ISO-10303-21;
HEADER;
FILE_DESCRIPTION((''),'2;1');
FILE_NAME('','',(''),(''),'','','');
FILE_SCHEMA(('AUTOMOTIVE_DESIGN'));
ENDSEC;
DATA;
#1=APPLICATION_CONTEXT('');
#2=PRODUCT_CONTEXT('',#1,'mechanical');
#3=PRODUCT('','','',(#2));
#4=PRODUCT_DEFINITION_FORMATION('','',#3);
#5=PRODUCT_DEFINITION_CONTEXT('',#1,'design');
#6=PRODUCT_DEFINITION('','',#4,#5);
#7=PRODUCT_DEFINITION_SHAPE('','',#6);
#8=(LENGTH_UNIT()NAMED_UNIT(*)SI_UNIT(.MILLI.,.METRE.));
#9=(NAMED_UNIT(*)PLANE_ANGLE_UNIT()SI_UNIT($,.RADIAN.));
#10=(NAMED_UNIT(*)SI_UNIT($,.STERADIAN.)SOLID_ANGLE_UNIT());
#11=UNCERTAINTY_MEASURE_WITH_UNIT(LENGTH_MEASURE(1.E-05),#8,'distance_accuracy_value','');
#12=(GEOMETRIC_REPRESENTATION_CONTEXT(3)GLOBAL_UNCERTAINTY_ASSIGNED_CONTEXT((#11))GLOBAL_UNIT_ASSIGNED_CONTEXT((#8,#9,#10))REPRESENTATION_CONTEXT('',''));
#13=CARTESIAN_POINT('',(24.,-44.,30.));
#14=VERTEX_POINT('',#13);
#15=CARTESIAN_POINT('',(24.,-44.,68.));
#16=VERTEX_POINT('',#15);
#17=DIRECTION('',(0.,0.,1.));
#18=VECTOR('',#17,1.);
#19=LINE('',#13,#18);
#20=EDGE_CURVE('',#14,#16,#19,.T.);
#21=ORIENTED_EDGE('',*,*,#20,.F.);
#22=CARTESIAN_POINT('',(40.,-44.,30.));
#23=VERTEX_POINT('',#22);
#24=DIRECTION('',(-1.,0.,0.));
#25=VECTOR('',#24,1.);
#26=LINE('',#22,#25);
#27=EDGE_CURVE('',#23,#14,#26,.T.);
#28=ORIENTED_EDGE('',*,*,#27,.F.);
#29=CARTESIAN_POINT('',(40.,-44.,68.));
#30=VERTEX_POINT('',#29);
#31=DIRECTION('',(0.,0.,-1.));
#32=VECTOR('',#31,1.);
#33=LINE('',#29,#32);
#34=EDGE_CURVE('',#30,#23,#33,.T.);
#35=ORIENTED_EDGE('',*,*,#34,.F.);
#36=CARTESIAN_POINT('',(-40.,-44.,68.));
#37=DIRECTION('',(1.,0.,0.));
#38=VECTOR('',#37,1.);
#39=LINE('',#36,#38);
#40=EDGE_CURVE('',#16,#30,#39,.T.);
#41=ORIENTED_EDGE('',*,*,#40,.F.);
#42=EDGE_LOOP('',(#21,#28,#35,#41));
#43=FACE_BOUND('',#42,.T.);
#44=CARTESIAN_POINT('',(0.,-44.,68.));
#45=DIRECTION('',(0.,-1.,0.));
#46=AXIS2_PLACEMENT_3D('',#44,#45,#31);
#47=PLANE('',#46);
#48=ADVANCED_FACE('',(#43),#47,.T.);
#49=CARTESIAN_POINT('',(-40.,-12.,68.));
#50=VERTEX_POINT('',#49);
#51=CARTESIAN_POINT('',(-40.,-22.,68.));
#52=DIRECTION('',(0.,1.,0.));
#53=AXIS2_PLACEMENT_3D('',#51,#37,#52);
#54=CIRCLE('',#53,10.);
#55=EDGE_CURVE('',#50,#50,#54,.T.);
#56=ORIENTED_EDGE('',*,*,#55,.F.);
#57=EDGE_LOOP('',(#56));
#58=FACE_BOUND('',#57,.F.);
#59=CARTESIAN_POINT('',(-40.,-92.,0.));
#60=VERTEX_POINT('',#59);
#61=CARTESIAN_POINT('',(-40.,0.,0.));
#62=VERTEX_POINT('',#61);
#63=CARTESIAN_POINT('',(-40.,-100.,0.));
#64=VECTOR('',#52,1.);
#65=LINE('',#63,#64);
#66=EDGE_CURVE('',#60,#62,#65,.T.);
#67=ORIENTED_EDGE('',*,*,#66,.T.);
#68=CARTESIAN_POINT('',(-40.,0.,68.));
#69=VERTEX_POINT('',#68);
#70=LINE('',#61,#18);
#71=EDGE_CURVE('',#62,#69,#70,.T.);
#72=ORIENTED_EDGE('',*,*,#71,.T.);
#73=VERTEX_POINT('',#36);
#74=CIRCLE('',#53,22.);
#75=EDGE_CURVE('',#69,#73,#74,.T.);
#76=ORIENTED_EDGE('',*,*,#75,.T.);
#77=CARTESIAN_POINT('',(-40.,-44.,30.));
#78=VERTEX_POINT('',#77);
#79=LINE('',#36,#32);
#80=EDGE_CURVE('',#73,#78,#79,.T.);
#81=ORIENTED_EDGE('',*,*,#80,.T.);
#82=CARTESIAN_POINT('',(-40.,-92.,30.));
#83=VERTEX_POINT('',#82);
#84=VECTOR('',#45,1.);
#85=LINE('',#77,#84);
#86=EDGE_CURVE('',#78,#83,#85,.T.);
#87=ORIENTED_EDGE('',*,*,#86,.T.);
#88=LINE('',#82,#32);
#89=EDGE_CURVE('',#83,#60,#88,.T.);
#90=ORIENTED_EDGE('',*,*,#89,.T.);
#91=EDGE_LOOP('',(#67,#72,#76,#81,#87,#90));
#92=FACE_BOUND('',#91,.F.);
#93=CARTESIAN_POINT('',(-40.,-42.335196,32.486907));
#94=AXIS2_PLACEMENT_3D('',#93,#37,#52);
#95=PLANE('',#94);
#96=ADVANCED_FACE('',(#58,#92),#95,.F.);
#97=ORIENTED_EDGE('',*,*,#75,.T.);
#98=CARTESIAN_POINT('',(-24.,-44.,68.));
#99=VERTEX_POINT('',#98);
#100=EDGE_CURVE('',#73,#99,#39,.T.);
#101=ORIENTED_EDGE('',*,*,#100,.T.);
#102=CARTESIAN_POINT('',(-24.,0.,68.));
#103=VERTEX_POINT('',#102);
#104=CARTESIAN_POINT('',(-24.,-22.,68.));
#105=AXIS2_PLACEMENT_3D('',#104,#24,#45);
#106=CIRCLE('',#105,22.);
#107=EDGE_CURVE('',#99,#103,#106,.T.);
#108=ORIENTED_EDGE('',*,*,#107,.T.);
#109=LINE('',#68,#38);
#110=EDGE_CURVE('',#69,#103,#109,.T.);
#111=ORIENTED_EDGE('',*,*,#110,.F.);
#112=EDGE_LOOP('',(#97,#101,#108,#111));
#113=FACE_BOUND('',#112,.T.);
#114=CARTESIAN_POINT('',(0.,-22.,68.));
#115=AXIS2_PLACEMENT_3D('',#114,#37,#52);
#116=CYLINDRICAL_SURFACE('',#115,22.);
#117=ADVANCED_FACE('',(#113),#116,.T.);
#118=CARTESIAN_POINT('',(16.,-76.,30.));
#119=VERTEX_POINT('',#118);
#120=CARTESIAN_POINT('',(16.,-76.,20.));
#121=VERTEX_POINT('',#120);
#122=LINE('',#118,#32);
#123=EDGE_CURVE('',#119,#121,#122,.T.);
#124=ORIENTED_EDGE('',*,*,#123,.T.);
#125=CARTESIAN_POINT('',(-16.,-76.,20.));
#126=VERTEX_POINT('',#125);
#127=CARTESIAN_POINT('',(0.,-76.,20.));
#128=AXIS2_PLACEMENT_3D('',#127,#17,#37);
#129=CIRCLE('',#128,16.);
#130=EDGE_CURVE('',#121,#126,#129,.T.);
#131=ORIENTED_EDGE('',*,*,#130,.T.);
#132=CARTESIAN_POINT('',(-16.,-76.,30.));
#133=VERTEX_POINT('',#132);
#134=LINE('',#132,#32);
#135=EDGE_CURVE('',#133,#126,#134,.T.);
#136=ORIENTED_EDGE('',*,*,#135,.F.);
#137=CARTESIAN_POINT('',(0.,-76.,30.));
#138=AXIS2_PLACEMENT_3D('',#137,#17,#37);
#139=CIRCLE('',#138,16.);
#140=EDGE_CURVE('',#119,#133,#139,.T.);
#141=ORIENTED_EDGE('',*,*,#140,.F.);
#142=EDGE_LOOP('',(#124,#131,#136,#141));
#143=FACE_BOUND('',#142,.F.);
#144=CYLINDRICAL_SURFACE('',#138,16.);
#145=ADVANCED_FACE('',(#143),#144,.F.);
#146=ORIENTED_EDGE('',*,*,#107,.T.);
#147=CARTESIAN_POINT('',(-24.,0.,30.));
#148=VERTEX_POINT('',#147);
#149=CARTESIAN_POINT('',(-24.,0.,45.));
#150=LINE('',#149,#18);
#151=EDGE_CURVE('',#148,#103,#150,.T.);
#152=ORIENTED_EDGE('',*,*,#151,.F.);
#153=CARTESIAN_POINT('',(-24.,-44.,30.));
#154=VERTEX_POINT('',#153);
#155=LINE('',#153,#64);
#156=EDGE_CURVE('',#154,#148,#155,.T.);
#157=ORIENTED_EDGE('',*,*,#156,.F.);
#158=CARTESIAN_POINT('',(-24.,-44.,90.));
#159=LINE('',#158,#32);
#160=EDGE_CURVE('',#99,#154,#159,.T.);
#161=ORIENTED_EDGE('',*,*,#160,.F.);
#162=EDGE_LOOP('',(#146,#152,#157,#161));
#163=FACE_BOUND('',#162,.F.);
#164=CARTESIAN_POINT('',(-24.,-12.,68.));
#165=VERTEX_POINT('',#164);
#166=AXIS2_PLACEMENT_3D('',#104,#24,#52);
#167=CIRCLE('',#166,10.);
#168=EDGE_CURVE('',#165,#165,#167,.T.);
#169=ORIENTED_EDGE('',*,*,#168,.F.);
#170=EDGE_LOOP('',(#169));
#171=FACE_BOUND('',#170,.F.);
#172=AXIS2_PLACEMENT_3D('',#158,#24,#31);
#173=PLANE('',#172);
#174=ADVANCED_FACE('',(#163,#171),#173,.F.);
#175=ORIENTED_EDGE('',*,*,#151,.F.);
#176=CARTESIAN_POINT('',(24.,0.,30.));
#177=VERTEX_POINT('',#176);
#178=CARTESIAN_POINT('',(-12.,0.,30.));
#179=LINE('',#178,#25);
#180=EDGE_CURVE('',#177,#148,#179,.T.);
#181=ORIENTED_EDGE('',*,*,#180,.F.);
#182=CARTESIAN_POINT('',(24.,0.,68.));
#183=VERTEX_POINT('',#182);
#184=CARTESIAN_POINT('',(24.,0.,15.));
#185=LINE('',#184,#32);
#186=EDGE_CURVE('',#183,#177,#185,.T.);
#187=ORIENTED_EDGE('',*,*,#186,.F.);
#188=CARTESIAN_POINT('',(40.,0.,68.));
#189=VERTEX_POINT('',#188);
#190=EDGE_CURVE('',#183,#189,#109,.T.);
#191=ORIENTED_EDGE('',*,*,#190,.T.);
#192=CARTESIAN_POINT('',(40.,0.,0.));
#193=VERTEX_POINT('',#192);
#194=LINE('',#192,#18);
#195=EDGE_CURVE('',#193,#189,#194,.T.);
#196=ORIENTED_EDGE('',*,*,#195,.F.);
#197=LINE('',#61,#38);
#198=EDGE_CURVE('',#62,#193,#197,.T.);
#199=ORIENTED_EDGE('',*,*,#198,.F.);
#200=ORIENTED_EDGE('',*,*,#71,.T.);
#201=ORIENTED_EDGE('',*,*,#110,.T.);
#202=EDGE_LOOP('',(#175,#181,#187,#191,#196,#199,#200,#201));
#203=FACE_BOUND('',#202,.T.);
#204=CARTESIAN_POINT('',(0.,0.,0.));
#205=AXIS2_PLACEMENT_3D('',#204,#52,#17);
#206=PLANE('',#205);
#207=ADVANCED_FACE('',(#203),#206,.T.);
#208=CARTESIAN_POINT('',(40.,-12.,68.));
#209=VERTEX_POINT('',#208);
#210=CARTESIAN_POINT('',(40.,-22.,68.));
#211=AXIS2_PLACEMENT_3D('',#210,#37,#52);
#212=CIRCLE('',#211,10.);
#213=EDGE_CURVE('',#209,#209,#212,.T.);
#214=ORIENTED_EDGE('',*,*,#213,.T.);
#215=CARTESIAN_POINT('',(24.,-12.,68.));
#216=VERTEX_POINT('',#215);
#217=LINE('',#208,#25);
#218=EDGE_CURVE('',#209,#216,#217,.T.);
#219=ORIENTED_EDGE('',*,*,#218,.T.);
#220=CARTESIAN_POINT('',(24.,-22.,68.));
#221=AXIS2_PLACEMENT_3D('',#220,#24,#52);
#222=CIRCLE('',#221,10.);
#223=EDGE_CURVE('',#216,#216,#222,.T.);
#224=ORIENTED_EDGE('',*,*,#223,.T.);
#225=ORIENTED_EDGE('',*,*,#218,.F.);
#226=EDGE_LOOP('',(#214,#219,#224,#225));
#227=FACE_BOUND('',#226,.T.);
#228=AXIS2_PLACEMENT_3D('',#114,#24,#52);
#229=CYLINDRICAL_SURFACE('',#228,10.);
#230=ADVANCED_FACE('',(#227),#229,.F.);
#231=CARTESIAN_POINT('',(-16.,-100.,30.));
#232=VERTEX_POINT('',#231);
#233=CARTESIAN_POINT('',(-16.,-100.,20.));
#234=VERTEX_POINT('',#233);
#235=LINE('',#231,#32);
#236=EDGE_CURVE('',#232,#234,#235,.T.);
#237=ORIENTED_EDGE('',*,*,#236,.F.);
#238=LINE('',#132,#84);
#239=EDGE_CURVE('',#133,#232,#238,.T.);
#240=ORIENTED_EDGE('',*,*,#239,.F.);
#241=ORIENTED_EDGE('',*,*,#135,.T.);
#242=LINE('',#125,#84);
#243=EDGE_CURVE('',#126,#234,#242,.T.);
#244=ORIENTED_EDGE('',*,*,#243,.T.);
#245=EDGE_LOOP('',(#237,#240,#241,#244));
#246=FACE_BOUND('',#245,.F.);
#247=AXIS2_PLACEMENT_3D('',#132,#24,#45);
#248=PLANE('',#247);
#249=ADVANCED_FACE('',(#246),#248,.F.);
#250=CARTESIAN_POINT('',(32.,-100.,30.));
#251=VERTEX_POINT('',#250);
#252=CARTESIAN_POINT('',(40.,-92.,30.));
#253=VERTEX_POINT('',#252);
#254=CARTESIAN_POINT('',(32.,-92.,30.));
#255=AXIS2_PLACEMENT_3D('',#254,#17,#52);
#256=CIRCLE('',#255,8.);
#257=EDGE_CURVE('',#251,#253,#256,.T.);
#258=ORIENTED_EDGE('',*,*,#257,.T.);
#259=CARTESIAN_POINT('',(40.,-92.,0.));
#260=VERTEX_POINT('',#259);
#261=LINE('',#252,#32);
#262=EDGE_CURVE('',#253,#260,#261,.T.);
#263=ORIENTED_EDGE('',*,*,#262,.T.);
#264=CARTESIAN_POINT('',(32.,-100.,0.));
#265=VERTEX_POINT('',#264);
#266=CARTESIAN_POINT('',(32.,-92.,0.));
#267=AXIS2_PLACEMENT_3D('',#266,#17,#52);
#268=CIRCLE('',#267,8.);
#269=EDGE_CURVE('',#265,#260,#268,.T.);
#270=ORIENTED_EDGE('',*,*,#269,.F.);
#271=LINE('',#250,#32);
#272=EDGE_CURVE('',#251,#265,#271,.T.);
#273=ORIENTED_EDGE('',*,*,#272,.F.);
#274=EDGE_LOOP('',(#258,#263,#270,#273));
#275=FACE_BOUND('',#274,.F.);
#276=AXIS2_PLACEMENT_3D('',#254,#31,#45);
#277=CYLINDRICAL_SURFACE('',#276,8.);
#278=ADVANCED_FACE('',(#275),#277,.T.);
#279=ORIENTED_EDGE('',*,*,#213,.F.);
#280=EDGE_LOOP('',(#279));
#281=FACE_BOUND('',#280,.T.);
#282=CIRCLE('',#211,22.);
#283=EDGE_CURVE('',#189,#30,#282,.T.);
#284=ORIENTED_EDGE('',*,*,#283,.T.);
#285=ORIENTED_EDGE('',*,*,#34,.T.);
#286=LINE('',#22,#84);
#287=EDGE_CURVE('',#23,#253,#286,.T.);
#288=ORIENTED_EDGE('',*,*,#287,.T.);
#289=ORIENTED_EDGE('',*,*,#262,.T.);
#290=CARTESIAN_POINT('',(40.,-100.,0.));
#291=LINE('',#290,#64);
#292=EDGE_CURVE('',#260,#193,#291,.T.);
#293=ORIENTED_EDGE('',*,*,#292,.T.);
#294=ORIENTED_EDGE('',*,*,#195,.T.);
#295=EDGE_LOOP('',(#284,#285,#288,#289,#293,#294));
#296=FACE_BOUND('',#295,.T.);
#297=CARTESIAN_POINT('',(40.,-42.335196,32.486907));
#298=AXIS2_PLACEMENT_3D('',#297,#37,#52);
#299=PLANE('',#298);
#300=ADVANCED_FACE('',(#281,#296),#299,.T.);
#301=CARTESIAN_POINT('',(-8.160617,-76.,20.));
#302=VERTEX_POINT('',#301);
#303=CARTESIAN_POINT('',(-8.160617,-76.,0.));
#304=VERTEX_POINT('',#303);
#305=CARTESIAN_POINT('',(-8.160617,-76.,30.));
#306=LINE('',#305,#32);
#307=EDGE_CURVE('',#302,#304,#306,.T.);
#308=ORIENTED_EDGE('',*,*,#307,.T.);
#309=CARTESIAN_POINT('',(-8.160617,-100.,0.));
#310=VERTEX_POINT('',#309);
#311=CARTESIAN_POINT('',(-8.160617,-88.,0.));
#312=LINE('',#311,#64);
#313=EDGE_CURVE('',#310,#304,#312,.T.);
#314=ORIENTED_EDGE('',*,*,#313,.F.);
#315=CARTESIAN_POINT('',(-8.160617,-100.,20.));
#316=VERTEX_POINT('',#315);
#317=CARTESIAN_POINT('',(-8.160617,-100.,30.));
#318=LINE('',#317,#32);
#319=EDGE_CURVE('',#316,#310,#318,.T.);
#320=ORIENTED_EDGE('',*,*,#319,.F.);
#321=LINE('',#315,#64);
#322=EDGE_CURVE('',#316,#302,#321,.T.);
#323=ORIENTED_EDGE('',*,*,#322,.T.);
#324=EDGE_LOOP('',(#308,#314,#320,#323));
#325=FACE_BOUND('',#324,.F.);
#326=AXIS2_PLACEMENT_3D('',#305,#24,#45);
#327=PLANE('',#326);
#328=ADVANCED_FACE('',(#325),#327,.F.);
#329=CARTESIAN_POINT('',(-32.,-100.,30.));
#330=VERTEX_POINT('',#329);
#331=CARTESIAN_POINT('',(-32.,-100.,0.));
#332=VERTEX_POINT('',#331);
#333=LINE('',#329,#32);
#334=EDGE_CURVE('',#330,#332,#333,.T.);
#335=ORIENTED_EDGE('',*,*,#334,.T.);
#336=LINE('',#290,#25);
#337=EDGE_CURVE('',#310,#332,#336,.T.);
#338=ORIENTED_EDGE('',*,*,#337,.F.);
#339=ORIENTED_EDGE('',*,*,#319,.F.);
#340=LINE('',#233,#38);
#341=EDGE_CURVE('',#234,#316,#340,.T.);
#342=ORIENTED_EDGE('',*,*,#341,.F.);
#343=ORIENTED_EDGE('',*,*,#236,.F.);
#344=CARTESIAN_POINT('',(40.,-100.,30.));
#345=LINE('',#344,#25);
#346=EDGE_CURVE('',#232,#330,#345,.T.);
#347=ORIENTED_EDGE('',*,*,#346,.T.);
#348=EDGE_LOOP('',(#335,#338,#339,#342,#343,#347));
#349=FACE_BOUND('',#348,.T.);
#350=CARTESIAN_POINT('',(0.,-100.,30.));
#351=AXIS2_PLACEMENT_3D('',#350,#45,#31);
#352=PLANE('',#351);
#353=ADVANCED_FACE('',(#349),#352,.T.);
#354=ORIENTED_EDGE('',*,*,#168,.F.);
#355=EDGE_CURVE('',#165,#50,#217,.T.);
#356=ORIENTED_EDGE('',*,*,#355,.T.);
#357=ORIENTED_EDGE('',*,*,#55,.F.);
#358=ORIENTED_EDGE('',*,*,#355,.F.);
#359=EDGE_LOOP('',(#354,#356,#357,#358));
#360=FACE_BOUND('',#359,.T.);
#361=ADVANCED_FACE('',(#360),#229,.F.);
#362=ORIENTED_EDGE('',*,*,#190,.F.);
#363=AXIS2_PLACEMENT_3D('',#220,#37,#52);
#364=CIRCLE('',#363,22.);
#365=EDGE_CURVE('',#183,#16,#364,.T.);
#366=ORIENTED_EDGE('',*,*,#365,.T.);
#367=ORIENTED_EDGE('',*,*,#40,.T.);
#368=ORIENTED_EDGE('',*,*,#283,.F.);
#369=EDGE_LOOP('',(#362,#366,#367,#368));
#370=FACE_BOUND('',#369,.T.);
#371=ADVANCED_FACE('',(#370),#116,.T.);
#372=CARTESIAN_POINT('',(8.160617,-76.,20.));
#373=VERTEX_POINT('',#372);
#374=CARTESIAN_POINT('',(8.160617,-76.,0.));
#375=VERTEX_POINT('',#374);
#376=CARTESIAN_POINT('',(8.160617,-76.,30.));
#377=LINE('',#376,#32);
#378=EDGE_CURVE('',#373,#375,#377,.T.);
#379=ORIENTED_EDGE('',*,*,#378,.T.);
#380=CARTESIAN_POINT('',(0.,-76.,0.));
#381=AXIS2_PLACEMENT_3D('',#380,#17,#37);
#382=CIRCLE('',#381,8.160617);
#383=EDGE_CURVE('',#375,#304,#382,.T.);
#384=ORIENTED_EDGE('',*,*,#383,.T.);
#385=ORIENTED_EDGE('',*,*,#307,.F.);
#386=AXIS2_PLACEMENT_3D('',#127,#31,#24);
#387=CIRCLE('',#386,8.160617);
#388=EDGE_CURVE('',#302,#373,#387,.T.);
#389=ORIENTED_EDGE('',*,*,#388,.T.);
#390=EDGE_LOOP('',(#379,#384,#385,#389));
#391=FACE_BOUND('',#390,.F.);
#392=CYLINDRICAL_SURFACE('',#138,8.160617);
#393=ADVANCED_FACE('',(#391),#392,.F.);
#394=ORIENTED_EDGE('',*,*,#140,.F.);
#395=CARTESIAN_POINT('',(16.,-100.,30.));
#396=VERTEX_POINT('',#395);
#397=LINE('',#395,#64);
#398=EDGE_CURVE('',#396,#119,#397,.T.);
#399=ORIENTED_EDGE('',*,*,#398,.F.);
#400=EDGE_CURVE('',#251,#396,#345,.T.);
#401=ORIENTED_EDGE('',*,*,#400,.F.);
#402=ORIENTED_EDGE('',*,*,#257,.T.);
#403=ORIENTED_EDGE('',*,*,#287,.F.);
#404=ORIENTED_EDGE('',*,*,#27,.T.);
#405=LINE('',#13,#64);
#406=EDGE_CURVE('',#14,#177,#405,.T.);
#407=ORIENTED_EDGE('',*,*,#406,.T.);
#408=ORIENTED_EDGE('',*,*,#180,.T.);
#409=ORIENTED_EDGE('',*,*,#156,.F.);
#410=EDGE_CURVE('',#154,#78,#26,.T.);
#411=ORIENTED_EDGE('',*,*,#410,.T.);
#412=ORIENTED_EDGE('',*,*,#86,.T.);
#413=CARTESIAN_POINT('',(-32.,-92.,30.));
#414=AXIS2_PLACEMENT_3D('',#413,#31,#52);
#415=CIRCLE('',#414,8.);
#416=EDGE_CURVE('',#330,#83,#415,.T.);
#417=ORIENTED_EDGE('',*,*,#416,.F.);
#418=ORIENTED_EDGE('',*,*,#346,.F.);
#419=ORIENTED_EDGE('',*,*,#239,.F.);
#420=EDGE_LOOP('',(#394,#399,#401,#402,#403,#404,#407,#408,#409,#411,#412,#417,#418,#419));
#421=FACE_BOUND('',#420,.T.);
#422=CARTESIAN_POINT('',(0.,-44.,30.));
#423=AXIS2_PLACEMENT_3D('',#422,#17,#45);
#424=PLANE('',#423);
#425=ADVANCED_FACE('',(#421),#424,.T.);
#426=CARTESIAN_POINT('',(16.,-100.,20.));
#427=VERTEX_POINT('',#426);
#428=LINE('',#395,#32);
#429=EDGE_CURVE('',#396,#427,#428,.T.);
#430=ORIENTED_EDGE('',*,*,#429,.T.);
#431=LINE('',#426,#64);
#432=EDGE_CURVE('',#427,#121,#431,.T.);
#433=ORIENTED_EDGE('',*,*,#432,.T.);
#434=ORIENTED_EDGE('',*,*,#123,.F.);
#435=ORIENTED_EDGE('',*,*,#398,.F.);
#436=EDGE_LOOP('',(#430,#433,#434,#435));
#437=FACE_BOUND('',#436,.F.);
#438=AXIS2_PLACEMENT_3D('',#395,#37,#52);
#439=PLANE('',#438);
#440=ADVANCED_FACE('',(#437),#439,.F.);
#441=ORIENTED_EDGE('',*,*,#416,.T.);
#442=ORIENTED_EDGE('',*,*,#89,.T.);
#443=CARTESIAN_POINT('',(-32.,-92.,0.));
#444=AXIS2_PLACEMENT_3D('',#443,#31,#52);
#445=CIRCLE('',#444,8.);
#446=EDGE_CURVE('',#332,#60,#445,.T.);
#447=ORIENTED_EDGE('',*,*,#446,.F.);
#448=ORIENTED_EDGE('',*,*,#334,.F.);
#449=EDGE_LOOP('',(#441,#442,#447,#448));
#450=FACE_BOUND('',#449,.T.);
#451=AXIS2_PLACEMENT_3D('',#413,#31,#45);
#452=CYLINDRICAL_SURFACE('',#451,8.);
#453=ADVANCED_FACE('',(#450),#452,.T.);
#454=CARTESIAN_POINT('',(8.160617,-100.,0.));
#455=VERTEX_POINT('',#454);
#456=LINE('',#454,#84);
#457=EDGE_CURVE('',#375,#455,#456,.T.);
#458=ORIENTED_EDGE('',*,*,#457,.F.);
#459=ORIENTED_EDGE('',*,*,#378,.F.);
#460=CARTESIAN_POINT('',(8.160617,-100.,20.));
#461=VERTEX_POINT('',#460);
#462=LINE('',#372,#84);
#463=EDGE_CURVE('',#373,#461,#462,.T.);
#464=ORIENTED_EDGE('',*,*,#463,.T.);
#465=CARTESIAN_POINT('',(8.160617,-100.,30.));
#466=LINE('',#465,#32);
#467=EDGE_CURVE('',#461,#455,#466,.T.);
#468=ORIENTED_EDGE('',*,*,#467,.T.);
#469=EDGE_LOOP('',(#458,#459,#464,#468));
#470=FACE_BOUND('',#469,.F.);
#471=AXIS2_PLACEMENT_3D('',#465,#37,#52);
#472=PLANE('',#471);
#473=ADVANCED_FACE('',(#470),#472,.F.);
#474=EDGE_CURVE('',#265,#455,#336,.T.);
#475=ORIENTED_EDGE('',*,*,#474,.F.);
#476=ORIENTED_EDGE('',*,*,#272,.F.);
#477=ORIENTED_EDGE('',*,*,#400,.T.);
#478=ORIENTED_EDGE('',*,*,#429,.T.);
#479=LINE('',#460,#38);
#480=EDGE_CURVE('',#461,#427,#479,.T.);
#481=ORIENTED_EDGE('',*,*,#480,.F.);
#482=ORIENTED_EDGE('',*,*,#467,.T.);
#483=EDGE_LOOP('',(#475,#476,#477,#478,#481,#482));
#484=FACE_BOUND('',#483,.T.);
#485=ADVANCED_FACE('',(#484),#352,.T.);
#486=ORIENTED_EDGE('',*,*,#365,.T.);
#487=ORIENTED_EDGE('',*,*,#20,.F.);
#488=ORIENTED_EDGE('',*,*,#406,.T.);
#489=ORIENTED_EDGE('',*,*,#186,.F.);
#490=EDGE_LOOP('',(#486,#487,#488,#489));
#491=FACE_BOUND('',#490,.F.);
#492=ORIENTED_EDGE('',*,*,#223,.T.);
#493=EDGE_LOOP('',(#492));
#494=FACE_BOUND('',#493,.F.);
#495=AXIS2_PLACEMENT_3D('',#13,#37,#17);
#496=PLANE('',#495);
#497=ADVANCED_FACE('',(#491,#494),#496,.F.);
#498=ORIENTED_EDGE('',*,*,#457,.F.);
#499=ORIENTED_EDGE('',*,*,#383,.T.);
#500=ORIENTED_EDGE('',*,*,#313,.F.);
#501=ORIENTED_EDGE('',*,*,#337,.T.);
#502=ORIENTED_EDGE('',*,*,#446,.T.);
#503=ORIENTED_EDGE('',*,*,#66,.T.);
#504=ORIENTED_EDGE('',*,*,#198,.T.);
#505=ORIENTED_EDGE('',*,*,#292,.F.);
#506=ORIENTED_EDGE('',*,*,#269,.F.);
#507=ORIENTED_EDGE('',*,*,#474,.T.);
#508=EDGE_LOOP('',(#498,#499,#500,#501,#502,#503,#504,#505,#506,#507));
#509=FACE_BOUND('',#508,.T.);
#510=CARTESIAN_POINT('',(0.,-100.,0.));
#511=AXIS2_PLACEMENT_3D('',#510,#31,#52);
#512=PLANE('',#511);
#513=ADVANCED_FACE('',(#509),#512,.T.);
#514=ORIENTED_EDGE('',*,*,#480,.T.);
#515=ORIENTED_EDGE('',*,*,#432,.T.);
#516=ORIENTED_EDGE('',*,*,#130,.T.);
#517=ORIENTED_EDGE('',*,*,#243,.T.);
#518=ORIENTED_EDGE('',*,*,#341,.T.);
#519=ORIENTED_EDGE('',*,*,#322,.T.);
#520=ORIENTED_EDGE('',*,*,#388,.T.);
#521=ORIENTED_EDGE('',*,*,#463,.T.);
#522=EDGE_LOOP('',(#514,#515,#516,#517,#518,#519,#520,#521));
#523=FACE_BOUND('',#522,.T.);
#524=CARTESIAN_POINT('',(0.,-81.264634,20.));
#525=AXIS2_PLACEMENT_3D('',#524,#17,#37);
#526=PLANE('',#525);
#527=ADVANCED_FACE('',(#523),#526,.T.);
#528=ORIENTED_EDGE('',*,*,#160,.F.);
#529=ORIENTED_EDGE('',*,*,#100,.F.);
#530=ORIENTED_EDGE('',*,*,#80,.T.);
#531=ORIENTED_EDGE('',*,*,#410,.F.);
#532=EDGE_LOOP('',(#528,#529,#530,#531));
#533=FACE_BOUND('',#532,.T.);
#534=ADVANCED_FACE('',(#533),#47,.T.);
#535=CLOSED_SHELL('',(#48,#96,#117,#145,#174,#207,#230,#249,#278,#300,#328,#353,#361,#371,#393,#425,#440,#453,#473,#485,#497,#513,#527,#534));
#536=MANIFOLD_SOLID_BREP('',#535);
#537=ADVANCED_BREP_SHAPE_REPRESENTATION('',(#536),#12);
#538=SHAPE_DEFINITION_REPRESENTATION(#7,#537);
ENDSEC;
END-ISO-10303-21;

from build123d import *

# Parameters (mm, degrees)
F0_R     = 10
F1_DEPTH = 40
F2_W     = 48
F2_H     = 38
F2_H_2   = 22
F3_DEPTH = 44.001
F5_DEPTH = 30.001
F6_DEPTH = 10
F7_R     = 8


with BuildPart() as f1:
    # F0 (on Right) → F1 (new body, symmetric)
    with BuildSketch(Plane.YZ):
        with BuildLine():
            Line((-100, 0), (0, 0))
            Line((0, 0), (0, 68))
            ThreePointArc((0, 68), (-22, 90), (-44, 68))
            Line((-44, 68), (-44, 30))
            Line((-44, 30), (-100, 30))
            Line((-100, 30), (-100, 0))
        make_face()
        with Locations((-22, 68)):
            Circle(F0_R, mode=Mode.SUBTRACT)
    extrude(amount=F1_DEPTH, both=True)

    # F2 (on face) → F3 (cut, through all)
    with BuildSketch(Plane.XZ.offset(44)):
        with Locations((0, 49)):
            Rectangle(F2_W, F2_H)
        with Locations((0, 79)):
            Rectangle(F2_W, F2_H_2)
    extrude(amount=-F3_DEPTH, mode=Mode.SUBTRACT)

    # F4 (on face) → F5 (cut, through all)
    with BuildSketch(Plane.XY.offset(30)):
        with BuildLine():
            Line((-8.160617, -76), (-8.160617, -100))
            Line((-8.160617, -100), (8.160617, -100))
            Line((8.160617, -100), (8.160617, -76))
            ThreePointArc((8.160617, -76), (0, -67.839383), (-8.160617, -76))
        make_face()
    extrude(amount=-F5_DEPTH, mode=Mode.SUBTRACT)

    # F4 (on face) → F6 (cut)
    with BuildSketch(Plane.XY.offset(30)):
        with BuildLine():
            Line((-16, -76), (-16, -100))
            Line((-16, -100), (-8.160617, -100))
            Line((-8.160617, -100), (-8.160617, -76))
            ThreePointArc((-8.160617, -76), (0, -67.839383), (8.160617, -76))
            Line((8.160617, -76), (8.160617, -100))
            Line((8.160617, -100), (16, -100))
            Line((16, -100), (16, -76))
            ThreePointArc((16, -76), (0, -60), (-16, -76))
        make_face()
    extrude(amount=-F6_DEPTH, mode=Mode.SUBTRACT)

    # F7
    f7_edges = [f1.edges().sort_by_distance(p)[0] for p in [
        (-40, -100, 15),
        (40, -100, 15),
    ]]
    fillet(f7_edges, radius=F7_R)


solid = f1.part
